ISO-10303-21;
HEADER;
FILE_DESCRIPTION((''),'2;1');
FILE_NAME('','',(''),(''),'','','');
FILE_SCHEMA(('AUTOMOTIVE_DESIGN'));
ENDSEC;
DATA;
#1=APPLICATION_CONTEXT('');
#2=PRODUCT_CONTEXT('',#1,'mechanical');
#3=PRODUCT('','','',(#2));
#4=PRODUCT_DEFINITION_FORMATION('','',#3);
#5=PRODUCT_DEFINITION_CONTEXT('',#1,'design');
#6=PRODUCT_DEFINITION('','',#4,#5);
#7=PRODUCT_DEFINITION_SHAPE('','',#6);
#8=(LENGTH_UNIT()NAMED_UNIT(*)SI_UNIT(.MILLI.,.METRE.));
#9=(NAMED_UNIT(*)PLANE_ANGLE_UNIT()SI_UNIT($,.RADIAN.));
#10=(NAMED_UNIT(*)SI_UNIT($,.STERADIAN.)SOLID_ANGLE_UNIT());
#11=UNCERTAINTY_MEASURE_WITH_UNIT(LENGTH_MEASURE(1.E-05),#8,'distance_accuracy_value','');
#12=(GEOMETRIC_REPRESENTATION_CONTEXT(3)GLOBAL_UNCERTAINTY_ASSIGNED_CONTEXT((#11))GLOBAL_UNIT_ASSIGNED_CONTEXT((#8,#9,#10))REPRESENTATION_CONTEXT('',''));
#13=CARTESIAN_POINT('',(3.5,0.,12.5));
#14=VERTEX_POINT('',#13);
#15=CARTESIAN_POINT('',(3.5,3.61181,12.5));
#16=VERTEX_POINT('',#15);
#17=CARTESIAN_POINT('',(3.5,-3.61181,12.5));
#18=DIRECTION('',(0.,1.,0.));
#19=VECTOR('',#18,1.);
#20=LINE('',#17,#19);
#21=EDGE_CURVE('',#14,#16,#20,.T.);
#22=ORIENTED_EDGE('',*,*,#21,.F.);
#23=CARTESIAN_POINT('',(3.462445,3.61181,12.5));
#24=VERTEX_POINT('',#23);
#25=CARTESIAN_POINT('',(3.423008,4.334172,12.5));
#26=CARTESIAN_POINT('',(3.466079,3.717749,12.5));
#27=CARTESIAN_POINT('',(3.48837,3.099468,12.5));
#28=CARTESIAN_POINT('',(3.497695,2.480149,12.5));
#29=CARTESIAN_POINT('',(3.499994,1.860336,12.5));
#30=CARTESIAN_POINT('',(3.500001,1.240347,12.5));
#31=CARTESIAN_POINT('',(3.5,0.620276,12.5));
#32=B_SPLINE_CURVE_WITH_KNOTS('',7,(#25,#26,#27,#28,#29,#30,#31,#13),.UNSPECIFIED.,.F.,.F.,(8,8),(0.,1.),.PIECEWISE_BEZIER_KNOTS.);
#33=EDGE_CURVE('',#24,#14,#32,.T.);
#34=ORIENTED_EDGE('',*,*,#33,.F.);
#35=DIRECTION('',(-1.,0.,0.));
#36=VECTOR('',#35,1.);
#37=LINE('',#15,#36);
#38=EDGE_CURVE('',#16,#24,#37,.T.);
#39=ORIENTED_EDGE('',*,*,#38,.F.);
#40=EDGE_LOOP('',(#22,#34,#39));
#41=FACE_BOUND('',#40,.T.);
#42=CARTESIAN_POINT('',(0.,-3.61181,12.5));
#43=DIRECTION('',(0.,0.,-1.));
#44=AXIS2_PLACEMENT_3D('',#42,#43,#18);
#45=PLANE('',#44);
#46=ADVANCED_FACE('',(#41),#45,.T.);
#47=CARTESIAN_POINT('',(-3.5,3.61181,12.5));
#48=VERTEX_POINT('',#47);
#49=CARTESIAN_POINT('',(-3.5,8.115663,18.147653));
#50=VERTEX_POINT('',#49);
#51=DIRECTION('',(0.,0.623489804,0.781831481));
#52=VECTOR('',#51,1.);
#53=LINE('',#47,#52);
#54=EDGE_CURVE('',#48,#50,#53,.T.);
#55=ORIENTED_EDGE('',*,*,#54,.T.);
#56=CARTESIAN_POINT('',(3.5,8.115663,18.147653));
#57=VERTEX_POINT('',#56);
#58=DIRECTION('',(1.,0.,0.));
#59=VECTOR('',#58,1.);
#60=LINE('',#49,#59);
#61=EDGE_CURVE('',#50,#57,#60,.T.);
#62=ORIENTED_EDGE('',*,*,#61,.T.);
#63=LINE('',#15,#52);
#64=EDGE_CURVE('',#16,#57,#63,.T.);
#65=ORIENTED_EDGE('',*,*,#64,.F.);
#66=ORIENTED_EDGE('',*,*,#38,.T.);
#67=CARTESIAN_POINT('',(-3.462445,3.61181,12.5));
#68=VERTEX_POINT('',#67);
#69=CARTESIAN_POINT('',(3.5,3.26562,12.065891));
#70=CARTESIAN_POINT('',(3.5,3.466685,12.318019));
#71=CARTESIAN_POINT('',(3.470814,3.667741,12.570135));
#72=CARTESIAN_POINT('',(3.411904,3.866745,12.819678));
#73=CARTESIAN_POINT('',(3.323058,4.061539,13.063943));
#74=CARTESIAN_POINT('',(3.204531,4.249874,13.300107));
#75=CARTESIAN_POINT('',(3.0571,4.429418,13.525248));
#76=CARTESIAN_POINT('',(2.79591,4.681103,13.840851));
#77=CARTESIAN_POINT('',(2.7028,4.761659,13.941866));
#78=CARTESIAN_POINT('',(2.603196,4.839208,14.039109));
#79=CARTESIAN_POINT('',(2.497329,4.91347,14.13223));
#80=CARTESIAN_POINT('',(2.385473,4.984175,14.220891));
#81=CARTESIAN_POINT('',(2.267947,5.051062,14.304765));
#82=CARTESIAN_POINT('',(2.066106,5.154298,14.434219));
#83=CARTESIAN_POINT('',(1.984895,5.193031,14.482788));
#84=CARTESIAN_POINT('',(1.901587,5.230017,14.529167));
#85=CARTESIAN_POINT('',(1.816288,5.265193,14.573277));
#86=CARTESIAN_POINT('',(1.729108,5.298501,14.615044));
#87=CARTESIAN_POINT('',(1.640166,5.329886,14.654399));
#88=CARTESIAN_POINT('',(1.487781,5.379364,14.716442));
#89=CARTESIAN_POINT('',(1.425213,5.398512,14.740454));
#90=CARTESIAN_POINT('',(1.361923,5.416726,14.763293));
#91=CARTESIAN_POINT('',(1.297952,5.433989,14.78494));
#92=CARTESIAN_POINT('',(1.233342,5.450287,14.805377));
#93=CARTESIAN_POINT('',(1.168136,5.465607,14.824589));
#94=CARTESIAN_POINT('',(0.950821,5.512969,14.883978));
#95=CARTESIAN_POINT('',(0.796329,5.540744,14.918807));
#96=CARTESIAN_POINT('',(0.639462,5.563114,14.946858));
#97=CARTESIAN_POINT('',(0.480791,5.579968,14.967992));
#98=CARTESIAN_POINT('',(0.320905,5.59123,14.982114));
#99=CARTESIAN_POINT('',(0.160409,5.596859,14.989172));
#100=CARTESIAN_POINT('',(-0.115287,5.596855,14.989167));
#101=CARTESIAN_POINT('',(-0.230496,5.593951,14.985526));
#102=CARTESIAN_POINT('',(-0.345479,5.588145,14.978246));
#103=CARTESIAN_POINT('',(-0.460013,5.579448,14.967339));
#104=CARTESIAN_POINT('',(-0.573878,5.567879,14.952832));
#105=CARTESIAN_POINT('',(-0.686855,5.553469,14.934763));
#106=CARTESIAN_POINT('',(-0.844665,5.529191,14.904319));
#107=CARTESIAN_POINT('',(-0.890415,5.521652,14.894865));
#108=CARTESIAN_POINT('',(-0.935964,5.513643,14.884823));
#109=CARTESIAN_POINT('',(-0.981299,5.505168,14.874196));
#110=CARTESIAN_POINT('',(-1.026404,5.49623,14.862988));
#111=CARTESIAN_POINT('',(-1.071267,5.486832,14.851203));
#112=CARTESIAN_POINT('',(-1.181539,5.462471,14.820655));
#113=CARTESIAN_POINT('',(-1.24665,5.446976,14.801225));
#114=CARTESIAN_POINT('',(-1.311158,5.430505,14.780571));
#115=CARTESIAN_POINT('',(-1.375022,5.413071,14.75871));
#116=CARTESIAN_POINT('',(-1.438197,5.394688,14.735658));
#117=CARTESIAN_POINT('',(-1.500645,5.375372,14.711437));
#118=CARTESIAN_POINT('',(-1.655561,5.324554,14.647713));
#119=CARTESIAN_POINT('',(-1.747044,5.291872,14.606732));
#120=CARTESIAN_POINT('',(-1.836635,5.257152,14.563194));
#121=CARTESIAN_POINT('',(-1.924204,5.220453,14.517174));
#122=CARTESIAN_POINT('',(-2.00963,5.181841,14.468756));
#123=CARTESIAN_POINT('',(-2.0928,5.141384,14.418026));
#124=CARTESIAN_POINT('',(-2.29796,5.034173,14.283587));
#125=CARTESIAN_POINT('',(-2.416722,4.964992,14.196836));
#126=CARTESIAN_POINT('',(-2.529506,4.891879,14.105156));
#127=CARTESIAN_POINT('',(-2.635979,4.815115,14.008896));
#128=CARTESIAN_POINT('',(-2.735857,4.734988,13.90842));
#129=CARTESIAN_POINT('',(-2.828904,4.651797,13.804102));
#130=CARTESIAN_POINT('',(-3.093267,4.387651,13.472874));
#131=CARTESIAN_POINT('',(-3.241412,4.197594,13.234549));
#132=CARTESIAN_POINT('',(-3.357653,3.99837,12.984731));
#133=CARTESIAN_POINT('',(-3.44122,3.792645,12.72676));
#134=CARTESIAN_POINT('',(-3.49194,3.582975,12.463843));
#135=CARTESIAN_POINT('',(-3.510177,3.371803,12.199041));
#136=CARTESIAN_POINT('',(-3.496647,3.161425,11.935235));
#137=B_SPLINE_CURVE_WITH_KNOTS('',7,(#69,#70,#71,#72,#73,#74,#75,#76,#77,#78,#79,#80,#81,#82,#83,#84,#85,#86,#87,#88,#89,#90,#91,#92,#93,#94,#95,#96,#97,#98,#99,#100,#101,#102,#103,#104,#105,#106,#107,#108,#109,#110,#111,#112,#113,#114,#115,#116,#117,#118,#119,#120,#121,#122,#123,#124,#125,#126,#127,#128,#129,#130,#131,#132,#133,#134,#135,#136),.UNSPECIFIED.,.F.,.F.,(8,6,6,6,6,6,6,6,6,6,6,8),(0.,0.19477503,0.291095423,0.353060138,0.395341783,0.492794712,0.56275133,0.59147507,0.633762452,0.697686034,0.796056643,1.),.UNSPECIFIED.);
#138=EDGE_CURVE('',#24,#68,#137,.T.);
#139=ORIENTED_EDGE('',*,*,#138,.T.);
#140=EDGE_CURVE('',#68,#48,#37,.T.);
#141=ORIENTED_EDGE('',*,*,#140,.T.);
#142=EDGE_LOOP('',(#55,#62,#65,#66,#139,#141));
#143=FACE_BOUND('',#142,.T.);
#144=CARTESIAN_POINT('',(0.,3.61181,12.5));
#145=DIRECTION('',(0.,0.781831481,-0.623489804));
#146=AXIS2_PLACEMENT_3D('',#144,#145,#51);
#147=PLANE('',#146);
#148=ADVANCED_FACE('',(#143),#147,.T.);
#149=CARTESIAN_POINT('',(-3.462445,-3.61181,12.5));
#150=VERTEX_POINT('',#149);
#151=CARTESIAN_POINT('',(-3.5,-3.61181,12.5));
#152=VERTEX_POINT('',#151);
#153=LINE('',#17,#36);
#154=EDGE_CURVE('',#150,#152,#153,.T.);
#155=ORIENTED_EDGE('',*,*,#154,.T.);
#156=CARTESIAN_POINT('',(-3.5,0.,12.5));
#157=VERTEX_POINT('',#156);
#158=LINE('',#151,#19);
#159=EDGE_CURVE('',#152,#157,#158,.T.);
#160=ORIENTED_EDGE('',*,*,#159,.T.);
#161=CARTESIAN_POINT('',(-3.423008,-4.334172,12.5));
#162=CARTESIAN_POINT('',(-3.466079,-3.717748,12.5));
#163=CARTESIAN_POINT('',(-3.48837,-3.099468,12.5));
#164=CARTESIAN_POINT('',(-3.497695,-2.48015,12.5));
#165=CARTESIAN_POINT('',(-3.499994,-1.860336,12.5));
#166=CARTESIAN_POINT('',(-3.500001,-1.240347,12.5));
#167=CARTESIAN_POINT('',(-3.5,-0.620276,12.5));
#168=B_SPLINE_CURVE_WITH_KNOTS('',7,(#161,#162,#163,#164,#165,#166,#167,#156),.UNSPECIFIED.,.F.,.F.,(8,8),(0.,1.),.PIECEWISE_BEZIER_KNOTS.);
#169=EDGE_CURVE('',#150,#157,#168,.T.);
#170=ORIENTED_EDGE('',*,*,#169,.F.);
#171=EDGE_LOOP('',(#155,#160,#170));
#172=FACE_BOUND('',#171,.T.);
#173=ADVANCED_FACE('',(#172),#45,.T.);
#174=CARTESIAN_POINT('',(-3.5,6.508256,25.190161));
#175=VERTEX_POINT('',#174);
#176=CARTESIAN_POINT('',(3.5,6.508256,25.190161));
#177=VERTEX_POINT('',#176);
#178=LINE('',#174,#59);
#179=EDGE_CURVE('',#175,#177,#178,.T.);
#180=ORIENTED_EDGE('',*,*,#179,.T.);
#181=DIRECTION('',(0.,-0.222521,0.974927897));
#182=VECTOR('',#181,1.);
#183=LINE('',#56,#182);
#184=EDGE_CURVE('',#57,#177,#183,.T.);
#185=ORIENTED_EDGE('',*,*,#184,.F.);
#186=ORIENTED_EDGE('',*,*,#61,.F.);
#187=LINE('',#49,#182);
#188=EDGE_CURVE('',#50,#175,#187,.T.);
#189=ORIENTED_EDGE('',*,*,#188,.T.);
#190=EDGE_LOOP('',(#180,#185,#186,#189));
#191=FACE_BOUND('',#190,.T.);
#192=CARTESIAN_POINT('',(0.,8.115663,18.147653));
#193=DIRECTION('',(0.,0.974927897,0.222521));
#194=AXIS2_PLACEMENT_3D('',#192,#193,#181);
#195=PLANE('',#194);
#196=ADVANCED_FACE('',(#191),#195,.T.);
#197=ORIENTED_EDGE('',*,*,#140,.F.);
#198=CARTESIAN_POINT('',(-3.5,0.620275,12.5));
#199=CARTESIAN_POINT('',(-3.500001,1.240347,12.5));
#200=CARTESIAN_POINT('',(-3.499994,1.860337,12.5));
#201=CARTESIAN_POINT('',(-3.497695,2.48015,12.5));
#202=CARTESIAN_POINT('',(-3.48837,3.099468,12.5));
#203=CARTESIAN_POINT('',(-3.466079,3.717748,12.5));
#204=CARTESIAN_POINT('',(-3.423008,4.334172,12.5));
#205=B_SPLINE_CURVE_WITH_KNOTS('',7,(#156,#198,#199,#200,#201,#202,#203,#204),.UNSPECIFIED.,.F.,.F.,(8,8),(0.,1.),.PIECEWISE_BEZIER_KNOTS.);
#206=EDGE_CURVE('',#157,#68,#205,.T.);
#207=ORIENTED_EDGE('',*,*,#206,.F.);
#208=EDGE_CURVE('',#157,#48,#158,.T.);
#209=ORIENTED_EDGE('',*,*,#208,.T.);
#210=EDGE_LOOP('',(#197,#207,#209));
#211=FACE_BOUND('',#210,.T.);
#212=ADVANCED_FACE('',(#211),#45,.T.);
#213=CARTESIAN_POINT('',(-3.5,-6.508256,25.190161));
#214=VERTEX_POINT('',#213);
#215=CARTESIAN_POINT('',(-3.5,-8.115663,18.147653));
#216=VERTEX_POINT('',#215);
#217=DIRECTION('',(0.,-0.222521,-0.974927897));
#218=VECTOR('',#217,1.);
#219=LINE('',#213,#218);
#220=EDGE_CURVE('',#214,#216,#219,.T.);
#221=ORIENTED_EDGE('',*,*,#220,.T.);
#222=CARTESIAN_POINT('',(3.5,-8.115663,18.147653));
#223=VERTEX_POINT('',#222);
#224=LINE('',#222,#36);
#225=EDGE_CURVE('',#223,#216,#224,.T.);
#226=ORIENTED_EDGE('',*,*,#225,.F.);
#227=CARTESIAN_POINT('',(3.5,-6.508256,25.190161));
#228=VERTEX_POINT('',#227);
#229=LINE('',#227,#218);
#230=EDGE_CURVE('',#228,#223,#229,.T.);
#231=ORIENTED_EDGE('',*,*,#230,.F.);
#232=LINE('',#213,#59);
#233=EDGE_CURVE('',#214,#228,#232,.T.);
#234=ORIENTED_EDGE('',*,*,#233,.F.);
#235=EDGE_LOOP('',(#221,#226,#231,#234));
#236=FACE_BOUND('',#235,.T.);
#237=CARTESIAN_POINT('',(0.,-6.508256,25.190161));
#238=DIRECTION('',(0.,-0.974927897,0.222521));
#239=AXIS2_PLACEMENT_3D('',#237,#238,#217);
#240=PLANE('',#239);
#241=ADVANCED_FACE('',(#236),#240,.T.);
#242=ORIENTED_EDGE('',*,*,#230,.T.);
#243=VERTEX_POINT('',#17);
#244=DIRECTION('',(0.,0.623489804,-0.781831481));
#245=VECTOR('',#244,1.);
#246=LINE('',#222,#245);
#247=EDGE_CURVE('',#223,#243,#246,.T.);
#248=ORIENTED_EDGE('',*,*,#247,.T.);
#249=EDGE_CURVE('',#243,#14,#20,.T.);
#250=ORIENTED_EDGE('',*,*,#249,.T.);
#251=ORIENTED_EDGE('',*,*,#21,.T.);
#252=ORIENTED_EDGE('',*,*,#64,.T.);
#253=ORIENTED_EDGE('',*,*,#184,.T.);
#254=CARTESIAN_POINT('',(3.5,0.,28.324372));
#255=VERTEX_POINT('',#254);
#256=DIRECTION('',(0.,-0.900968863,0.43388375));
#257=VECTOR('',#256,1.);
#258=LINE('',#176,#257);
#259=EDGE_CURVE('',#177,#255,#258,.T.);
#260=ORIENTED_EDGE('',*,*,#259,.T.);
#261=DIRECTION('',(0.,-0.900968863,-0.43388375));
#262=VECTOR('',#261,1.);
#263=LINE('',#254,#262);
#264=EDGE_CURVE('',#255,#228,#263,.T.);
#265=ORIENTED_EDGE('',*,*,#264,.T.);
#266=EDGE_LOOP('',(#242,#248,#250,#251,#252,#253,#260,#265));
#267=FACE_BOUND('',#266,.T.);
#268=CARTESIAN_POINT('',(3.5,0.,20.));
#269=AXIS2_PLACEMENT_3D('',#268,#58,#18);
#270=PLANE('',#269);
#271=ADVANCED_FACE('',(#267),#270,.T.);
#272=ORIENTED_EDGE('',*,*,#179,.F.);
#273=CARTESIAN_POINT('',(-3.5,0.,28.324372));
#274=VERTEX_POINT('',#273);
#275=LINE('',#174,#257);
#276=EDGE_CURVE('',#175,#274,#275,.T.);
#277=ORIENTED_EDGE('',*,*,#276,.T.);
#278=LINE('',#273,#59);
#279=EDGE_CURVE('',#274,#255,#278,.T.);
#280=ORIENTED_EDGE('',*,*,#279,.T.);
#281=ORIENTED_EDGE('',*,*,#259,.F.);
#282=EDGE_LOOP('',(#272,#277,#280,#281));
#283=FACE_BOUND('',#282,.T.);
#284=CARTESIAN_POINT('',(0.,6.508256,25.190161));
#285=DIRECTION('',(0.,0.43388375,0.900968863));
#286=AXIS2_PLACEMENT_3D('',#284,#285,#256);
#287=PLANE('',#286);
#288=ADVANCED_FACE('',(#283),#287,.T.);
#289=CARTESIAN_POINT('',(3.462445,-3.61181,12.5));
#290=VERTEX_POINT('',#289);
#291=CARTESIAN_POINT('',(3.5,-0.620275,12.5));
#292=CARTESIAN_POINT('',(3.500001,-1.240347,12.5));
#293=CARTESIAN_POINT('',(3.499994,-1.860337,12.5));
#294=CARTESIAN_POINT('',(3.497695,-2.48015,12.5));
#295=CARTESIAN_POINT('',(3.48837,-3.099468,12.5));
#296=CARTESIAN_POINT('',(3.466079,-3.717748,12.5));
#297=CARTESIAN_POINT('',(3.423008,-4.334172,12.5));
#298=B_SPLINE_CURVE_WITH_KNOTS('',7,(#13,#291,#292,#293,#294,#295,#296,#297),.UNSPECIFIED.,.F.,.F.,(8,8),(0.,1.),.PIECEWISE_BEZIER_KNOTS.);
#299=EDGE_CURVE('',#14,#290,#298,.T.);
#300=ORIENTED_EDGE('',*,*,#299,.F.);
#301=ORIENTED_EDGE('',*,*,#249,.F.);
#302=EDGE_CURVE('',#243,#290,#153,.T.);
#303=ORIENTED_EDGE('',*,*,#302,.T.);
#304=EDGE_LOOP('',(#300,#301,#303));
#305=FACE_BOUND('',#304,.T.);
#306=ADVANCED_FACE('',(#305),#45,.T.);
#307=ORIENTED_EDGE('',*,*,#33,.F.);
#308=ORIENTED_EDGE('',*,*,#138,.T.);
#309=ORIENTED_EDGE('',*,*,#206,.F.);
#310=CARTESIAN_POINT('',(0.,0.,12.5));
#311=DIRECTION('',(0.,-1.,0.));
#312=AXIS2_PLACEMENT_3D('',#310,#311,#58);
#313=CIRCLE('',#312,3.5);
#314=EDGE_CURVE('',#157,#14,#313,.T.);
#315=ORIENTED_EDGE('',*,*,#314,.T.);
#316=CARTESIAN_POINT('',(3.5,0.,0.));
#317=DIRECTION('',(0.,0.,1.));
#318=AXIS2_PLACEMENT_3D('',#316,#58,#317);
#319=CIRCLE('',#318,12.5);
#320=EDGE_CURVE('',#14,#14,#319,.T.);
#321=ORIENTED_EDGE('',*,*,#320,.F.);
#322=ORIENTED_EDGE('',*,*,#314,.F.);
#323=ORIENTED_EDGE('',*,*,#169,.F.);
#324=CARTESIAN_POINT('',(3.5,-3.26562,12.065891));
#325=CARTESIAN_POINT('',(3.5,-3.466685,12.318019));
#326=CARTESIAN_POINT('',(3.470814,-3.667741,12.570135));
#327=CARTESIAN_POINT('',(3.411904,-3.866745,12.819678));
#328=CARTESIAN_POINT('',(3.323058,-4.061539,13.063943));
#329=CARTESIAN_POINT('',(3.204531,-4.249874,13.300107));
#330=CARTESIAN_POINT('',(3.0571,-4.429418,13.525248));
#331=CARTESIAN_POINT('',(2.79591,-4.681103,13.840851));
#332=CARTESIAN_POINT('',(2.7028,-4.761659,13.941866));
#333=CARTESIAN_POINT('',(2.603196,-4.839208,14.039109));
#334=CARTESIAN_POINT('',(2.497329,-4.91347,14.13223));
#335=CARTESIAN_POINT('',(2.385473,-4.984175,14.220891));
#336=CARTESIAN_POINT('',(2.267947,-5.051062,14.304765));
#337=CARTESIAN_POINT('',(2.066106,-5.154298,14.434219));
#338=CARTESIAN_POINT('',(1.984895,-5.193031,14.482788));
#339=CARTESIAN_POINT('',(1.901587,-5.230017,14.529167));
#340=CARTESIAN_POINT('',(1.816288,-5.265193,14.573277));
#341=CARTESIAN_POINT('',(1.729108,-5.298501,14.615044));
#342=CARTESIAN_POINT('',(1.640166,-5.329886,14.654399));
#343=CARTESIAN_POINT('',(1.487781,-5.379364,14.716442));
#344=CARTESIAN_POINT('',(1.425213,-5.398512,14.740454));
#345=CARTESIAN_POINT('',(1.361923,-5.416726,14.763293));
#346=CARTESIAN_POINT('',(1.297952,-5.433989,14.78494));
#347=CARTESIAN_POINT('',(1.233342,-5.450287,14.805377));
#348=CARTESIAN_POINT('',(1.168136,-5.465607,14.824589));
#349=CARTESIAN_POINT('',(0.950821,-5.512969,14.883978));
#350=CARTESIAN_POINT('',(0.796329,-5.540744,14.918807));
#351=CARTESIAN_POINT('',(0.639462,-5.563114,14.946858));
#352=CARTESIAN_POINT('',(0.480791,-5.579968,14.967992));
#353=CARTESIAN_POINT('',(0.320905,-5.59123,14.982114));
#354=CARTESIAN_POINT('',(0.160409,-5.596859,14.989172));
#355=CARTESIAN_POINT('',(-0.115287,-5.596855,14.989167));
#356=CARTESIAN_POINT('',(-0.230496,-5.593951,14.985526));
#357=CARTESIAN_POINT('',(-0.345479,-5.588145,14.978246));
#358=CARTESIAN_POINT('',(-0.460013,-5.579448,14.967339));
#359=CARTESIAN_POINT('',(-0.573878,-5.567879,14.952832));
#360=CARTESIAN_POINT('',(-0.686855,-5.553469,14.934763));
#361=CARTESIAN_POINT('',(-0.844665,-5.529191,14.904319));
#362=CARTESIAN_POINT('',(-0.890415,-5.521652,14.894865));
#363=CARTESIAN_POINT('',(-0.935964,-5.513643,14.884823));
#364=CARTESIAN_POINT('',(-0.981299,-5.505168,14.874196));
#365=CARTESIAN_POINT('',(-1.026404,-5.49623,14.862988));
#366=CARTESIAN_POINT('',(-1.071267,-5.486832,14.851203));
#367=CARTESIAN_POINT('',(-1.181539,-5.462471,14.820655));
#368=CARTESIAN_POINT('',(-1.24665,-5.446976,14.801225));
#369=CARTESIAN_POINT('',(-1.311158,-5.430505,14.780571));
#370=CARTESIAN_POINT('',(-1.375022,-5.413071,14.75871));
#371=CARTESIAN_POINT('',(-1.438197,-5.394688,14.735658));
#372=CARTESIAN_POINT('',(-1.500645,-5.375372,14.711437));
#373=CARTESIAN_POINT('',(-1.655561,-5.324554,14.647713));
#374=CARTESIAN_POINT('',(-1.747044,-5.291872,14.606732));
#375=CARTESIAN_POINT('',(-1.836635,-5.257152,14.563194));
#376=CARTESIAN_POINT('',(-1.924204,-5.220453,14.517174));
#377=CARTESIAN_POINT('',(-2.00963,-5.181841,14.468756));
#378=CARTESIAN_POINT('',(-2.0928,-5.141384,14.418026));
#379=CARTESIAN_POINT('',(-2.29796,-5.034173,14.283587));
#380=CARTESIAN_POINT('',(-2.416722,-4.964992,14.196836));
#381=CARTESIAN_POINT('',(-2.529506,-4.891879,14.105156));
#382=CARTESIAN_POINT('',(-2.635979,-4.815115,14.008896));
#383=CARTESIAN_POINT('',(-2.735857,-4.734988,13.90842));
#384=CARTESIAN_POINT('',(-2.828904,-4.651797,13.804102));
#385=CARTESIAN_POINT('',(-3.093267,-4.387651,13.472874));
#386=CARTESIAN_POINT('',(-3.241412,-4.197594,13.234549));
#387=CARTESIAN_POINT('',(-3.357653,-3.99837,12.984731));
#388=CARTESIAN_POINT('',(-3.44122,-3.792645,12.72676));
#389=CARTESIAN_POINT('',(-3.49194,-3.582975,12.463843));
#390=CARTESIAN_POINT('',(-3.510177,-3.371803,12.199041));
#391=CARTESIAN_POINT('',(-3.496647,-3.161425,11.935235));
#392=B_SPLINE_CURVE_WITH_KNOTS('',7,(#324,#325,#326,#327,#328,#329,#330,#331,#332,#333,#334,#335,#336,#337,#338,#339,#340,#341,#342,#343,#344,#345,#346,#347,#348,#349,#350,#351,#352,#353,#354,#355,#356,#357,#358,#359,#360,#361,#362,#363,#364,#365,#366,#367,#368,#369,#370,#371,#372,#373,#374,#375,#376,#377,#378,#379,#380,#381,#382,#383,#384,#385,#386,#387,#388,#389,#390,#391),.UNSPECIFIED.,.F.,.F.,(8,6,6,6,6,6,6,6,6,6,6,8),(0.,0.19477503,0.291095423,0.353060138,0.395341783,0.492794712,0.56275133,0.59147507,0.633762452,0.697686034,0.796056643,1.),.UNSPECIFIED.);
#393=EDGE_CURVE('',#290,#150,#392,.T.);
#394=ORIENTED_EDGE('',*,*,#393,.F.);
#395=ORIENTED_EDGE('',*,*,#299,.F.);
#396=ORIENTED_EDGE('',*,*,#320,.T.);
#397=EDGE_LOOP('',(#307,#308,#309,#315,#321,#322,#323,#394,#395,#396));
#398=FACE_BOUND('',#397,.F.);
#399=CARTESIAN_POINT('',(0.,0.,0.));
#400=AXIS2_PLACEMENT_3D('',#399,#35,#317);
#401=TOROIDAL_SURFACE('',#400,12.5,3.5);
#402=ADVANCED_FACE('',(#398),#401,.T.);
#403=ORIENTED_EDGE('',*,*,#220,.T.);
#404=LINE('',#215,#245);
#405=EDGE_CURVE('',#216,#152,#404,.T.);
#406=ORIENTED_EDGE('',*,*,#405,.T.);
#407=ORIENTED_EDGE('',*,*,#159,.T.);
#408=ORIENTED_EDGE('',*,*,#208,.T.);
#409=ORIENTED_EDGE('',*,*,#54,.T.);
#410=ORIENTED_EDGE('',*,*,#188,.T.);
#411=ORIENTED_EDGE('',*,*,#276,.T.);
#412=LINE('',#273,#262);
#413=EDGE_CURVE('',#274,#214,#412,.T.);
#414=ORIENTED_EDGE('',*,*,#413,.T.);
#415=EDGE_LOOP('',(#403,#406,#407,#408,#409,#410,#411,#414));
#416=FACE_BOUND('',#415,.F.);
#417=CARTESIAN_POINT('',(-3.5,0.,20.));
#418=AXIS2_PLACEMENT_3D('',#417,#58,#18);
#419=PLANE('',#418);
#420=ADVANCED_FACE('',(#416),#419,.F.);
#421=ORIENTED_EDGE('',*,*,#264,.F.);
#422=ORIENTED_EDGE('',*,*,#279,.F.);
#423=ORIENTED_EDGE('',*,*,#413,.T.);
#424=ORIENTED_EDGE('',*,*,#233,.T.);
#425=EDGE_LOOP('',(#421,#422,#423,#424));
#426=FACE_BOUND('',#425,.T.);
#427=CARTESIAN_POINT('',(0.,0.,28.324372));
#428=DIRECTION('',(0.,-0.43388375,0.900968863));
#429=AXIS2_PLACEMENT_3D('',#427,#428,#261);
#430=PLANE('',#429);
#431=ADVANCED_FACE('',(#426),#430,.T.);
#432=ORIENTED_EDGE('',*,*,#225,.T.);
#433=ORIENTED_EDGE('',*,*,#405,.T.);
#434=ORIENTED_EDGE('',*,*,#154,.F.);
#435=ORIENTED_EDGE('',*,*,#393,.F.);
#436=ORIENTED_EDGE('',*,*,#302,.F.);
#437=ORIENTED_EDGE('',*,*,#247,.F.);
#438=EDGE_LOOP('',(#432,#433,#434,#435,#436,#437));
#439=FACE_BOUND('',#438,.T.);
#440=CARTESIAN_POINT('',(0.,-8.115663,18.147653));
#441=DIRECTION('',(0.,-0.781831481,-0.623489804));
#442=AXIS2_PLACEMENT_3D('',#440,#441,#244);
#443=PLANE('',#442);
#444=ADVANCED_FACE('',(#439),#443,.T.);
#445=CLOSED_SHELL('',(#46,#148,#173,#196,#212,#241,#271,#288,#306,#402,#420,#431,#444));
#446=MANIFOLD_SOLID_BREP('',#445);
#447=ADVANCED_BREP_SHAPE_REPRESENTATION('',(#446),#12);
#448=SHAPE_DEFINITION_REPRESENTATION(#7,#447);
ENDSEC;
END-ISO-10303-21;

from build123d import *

# Parameters (mm, degrees)
F0_R     = 3.5
F3_DEPTH = 3.5


with BuildPart() as f1:
    # F0 (on Front) → F1 (revolve)
    with BuildSketch(Plane.XZ):
        with Locations((0, 12.5)):
            Circle(F0_R)
    revolve(axis=Axis((11.219262, 0, 0), (1, 0, 0)))

    # F2 (on Right) → F3 (join, symmetric)
    with BuildSketch(Plane.YZ):
        Polygon((3.61181, 12.5), (8.115663, 18.147653), (6.508256, 25.190161), (0, 28.324372), (-6.508256, 25.190161), (-8.115663, 18.147653), (-3.61181, 12.5), align=None)
    extrude(amount=F3_DEPTH, both=True)


solid = f1.part
